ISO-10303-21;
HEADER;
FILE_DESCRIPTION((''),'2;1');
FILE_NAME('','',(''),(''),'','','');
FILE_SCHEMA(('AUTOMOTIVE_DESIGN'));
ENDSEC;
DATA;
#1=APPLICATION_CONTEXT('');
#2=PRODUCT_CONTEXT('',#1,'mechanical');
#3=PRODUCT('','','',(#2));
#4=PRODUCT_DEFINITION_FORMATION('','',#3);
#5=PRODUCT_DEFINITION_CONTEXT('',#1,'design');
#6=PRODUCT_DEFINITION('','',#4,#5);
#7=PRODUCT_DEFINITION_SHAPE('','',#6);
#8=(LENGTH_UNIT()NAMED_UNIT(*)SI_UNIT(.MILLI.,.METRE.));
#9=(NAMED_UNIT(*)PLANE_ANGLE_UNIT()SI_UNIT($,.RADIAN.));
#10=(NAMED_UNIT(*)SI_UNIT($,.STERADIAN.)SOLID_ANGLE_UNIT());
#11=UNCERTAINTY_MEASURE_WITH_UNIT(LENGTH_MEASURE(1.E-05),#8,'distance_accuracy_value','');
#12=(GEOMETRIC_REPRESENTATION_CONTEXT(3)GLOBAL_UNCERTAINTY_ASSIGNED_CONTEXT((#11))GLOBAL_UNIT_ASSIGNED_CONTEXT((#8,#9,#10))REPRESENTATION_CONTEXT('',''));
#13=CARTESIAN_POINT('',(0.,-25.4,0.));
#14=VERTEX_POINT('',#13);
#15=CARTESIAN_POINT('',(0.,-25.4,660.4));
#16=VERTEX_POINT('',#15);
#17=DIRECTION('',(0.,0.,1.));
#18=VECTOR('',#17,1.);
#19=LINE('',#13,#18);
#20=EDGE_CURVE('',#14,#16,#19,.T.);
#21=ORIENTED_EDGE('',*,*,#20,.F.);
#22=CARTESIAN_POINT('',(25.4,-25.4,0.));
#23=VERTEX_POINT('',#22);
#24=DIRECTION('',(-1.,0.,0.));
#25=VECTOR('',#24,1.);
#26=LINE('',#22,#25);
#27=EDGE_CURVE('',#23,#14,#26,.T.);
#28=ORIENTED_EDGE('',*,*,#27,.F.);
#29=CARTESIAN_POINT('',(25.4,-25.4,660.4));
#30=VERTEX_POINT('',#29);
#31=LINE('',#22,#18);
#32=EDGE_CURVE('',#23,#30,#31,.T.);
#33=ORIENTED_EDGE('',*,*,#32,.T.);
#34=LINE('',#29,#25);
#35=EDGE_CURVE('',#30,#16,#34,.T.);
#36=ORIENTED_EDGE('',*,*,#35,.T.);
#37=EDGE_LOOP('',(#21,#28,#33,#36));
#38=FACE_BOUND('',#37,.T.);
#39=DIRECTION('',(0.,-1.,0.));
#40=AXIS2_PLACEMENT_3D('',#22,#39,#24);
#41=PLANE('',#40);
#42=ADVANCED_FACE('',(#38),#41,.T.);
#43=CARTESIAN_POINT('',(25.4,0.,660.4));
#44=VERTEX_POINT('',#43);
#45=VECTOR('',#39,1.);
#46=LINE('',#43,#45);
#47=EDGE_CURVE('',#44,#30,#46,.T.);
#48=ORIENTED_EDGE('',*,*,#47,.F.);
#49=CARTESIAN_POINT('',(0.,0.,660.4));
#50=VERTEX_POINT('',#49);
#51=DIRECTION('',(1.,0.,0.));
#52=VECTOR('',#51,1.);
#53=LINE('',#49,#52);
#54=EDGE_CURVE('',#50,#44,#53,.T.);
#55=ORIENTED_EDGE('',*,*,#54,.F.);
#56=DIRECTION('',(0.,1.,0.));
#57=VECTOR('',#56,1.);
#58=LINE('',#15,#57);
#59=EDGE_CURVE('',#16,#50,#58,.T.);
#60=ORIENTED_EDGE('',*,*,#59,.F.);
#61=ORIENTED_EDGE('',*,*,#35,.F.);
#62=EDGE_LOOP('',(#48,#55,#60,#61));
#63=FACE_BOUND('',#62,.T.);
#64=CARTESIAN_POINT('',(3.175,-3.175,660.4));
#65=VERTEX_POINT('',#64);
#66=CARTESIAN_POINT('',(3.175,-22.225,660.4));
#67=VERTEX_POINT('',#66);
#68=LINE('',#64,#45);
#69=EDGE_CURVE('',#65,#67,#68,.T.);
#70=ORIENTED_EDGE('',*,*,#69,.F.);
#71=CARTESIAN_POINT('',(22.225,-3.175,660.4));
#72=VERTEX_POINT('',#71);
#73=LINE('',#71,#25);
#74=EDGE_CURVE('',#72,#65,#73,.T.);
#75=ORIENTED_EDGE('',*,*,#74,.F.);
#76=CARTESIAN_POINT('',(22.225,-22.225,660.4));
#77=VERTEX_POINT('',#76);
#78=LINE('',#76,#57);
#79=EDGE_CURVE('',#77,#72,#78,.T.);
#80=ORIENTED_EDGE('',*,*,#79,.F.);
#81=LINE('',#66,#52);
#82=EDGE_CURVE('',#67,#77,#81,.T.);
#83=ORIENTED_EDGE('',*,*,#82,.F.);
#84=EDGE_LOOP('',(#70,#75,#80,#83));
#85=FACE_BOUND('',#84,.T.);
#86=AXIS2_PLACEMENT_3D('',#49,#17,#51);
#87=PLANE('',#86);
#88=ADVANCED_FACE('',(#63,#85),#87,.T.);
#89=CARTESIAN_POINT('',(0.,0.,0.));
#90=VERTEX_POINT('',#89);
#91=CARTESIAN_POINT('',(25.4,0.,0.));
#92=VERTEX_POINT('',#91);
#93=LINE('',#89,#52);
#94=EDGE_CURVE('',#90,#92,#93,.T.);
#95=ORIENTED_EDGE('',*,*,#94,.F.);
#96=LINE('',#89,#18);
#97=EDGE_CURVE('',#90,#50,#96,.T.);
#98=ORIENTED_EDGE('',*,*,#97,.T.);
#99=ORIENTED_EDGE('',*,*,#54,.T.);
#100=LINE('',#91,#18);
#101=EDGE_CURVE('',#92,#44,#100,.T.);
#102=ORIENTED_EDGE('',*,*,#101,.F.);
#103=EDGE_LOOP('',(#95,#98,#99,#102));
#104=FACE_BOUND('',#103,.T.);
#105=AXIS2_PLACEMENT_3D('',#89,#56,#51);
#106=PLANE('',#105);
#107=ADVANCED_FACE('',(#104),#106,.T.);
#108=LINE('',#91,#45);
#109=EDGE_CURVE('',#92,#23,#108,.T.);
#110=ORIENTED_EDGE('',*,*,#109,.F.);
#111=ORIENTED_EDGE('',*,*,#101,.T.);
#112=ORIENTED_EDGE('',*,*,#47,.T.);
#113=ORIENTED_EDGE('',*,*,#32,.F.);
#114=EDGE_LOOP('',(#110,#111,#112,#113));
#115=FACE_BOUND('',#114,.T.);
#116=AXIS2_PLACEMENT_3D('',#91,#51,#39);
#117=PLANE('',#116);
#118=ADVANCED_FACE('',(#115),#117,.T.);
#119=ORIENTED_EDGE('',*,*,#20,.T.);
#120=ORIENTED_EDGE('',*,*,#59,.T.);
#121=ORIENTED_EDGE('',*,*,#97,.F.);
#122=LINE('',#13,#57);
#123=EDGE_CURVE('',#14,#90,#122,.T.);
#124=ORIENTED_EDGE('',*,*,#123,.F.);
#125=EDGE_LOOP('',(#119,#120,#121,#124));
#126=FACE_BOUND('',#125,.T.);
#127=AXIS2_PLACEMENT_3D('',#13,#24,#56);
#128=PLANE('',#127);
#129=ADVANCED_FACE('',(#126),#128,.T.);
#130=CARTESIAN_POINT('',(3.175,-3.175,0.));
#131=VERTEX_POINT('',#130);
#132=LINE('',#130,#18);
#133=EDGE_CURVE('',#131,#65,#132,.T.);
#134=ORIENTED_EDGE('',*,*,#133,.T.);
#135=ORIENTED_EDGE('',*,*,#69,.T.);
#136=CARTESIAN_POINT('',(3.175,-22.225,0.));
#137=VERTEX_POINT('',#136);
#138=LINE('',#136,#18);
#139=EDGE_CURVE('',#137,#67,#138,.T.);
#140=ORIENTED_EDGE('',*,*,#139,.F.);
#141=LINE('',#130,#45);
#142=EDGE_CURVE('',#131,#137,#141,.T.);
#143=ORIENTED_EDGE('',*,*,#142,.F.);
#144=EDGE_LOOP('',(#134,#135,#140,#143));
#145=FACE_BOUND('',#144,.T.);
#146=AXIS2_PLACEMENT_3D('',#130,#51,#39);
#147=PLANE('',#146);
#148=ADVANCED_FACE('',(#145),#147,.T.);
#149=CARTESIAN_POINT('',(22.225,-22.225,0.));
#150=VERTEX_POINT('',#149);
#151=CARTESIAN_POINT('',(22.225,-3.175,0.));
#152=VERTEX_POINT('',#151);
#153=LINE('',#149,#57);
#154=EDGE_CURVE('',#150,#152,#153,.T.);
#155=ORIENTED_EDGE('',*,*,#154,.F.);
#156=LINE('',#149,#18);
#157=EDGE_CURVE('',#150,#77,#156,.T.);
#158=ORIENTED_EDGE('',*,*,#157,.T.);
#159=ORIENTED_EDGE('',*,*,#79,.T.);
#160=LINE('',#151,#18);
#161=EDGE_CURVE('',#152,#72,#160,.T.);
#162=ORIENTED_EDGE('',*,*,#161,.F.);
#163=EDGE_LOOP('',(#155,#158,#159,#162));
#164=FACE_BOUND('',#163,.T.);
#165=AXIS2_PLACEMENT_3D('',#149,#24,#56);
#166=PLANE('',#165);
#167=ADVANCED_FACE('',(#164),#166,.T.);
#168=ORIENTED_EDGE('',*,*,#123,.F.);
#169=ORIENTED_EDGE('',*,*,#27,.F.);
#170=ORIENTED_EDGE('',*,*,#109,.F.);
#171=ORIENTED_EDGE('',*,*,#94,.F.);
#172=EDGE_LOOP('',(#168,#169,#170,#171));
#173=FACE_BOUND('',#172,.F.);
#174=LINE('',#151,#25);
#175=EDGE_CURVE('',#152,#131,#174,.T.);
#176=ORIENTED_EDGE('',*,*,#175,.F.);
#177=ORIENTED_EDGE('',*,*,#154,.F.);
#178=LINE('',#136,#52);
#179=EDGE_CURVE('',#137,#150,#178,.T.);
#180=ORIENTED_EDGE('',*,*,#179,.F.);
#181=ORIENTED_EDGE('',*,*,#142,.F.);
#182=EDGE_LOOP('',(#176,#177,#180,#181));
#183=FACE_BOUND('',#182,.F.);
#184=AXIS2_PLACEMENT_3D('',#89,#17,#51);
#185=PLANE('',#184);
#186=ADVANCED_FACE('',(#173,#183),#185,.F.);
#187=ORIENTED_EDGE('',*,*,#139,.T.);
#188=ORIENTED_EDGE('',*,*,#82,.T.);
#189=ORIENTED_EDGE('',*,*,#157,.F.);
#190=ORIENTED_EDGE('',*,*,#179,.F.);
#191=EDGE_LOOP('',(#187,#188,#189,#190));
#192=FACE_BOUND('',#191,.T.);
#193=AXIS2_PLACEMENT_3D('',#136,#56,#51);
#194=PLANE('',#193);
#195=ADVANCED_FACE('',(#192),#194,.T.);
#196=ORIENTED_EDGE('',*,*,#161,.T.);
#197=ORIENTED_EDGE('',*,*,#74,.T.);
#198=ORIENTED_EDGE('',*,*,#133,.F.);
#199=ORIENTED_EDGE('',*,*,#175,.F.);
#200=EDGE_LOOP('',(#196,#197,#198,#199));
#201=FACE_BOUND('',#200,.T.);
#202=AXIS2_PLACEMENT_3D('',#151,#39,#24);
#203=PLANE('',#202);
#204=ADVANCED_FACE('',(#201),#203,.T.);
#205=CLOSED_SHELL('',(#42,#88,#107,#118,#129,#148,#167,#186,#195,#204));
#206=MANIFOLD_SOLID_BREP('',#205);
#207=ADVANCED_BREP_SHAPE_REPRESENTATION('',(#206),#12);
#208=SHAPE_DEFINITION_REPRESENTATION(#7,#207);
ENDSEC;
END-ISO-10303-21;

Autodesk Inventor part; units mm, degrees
ref_plane "YZ Plane" through (0, 0, 0) normal (1, 0, 0) x (0, 1, 0)
ref_plane "XZ Plane" through (0, 0, 0) normal (0, 1, 0) x (-1, 0, 0)
ref_plane "XY Plane" through (0, 0, 0) normal (0, 0, 1) x (1, 0, 0)
sketch "Sketch1" plane through (0, 0, 0) normal (0, 0, 1) x (1, 0, 0)
  line L0 (0, 0) -> (25.4, 0)
  line L1 (25.4, 0) -> (25.4, -25.4)
  line L2 (25.4, -25.4) -> (0, -25.4)
  line L3 (0, -25.4) -> (0, 0)
  line L4 (22.225, -3.175) -> (3.175, -3.175)
  line L5 (3.175, -3.175) -> (3.175, -22.225)
  line L6 (3.175, -22.225) -> (22.225, -22.225)
  line L7 (22.225, -22.225) -> (22.225, -3.175)
  dimension "d0" = 25.4
  dimension "d1" = 25.4
  dimension "d2" = 3.175
extrude "Extrusion1" add sketch "Sketch1" along normal blind 660.4
properties part number "B Trans"
